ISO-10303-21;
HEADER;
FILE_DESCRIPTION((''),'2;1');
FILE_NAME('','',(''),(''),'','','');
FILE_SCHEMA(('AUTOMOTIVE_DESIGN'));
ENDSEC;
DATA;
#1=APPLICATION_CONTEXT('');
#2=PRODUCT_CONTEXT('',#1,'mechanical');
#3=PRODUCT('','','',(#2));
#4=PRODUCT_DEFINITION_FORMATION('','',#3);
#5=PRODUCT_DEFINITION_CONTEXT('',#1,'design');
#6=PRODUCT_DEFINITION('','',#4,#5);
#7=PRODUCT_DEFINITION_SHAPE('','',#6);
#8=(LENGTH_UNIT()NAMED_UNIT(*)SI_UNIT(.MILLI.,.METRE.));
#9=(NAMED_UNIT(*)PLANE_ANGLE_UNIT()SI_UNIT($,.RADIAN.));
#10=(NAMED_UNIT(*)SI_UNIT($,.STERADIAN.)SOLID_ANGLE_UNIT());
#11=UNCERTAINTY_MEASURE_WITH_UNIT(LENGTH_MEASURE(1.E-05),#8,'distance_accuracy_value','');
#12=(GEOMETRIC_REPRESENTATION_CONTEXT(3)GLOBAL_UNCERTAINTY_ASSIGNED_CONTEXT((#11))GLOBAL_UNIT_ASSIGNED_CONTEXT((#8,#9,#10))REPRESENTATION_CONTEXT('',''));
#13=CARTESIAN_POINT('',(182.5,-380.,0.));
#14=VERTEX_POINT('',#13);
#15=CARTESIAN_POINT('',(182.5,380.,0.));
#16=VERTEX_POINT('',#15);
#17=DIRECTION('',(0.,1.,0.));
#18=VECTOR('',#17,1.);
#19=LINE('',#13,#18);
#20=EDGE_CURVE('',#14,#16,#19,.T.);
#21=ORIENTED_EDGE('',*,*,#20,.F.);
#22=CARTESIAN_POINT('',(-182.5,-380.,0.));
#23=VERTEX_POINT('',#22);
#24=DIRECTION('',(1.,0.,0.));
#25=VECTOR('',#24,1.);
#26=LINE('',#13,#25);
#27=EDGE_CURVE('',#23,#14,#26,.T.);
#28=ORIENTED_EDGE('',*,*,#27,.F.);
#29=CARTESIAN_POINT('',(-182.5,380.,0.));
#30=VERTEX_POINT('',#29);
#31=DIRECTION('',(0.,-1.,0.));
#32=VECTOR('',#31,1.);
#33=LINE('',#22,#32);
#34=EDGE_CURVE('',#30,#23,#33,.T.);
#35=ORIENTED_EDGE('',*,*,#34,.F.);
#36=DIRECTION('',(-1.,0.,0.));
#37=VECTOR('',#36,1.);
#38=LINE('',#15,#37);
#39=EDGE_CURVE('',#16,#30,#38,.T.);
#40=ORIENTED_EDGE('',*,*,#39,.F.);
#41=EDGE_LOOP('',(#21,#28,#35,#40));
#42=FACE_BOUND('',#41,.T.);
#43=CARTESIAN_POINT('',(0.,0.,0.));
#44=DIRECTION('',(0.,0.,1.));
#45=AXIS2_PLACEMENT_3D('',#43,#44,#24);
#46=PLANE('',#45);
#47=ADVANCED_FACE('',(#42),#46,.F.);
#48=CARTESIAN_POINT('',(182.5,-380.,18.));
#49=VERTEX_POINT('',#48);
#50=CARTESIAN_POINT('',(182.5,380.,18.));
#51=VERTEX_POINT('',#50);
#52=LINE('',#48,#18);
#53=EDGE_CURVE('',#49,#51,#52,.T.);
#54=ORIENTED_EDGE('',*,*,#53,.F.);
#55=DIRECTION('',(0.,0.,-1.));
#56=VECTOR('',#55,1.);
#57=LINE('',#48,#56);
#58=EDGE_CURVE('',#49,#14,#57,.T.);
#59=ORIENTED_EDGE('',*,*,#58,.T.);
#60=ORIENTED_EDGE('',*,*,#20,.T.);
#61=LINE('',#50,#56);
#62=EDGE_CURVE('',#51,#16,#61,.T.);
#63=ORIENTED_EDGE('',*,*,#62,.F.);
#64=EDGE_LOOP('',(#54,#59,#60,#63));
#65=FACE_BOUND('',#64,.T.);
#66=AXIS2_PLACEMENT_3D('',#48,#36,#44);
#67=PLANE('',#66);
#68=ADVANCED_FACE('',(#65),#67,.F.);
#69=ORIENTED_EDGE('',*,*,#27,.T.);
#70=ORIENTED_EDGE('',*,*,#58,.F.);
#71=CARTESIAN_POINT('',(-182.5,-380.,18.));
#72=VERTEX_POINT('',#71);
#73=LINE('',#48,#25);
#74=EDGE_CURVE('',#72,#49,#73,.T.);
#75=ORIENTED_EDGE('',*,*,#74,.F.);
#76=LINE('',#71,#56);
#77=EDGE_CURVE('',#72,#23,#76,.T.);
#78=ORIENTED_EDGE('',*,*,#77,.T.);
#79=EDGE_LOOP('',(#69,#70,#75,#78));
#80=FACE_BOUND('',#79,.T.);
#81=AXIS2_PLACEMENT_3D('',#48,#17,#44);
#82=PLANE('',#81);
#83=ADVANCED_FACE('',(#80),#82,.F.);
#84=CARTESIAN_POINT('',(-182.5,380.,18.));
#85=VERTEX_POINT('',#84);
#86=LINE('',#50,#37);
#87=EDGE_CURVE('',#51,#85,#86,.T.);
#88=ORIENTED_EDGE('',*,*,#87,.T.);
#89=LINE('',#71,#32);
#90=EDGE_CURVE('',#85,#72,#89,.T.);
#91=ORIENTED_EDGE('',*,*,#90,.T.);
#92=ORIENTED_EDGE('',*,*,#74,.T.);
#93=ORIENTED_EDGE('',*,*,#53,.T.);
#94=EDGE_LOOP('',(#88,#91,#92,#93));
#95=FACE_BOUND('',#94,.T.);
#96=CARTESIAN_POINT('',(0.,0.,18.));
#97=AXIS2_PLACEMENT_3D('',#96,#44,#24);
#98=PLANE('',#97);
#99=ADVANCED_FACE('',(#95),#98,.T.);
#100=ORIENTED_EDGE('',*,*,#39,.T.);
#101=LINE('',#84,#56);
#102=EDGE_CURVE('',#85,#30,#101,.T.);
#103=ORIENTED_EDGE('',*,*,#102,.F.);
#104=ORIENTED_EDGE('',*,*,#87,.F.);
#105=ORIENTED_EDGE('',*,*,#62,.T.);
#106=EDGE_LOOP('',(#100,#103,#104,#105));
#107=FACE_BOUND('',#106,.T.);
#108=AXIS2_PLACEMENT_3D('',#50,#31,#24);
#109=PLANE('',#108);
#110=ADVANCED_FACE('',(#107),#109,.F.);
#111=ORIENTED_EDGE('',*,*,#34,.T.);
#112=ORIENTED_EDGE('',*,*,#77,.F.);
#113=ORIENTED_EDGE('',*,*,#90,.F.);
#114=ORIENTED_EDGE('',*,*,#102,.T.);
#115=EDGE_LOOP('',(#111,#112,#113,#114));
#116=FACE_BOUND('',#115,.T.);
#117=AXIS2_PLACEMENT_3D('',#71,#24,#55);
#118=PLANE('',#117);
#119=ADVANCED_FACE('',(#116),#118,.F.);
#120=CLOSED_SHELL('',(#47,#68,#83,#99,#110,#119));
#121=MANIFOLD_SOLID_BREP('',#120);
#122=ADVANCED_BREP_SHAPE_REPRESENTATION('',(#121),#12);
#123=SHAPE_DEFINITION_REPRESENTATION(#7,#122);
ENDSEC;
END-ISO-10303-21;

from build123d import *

# Parameters (mm, degrees)
SKETCH1_W           = 365
SKETCH1_H           = 760
BOSS_EXTRUDE1_DEPTH = 18


with BuildPart() as part:
    # Sketch1 → Boss-Extrude1 (new body)
    with BuildSketch(Plane.XY):
        Rectangle(SKETCH1_W, SKETCH1_H)
    extrude(amount=BOSS_EXTRUDE1_DEPTH)


solid = part.part
